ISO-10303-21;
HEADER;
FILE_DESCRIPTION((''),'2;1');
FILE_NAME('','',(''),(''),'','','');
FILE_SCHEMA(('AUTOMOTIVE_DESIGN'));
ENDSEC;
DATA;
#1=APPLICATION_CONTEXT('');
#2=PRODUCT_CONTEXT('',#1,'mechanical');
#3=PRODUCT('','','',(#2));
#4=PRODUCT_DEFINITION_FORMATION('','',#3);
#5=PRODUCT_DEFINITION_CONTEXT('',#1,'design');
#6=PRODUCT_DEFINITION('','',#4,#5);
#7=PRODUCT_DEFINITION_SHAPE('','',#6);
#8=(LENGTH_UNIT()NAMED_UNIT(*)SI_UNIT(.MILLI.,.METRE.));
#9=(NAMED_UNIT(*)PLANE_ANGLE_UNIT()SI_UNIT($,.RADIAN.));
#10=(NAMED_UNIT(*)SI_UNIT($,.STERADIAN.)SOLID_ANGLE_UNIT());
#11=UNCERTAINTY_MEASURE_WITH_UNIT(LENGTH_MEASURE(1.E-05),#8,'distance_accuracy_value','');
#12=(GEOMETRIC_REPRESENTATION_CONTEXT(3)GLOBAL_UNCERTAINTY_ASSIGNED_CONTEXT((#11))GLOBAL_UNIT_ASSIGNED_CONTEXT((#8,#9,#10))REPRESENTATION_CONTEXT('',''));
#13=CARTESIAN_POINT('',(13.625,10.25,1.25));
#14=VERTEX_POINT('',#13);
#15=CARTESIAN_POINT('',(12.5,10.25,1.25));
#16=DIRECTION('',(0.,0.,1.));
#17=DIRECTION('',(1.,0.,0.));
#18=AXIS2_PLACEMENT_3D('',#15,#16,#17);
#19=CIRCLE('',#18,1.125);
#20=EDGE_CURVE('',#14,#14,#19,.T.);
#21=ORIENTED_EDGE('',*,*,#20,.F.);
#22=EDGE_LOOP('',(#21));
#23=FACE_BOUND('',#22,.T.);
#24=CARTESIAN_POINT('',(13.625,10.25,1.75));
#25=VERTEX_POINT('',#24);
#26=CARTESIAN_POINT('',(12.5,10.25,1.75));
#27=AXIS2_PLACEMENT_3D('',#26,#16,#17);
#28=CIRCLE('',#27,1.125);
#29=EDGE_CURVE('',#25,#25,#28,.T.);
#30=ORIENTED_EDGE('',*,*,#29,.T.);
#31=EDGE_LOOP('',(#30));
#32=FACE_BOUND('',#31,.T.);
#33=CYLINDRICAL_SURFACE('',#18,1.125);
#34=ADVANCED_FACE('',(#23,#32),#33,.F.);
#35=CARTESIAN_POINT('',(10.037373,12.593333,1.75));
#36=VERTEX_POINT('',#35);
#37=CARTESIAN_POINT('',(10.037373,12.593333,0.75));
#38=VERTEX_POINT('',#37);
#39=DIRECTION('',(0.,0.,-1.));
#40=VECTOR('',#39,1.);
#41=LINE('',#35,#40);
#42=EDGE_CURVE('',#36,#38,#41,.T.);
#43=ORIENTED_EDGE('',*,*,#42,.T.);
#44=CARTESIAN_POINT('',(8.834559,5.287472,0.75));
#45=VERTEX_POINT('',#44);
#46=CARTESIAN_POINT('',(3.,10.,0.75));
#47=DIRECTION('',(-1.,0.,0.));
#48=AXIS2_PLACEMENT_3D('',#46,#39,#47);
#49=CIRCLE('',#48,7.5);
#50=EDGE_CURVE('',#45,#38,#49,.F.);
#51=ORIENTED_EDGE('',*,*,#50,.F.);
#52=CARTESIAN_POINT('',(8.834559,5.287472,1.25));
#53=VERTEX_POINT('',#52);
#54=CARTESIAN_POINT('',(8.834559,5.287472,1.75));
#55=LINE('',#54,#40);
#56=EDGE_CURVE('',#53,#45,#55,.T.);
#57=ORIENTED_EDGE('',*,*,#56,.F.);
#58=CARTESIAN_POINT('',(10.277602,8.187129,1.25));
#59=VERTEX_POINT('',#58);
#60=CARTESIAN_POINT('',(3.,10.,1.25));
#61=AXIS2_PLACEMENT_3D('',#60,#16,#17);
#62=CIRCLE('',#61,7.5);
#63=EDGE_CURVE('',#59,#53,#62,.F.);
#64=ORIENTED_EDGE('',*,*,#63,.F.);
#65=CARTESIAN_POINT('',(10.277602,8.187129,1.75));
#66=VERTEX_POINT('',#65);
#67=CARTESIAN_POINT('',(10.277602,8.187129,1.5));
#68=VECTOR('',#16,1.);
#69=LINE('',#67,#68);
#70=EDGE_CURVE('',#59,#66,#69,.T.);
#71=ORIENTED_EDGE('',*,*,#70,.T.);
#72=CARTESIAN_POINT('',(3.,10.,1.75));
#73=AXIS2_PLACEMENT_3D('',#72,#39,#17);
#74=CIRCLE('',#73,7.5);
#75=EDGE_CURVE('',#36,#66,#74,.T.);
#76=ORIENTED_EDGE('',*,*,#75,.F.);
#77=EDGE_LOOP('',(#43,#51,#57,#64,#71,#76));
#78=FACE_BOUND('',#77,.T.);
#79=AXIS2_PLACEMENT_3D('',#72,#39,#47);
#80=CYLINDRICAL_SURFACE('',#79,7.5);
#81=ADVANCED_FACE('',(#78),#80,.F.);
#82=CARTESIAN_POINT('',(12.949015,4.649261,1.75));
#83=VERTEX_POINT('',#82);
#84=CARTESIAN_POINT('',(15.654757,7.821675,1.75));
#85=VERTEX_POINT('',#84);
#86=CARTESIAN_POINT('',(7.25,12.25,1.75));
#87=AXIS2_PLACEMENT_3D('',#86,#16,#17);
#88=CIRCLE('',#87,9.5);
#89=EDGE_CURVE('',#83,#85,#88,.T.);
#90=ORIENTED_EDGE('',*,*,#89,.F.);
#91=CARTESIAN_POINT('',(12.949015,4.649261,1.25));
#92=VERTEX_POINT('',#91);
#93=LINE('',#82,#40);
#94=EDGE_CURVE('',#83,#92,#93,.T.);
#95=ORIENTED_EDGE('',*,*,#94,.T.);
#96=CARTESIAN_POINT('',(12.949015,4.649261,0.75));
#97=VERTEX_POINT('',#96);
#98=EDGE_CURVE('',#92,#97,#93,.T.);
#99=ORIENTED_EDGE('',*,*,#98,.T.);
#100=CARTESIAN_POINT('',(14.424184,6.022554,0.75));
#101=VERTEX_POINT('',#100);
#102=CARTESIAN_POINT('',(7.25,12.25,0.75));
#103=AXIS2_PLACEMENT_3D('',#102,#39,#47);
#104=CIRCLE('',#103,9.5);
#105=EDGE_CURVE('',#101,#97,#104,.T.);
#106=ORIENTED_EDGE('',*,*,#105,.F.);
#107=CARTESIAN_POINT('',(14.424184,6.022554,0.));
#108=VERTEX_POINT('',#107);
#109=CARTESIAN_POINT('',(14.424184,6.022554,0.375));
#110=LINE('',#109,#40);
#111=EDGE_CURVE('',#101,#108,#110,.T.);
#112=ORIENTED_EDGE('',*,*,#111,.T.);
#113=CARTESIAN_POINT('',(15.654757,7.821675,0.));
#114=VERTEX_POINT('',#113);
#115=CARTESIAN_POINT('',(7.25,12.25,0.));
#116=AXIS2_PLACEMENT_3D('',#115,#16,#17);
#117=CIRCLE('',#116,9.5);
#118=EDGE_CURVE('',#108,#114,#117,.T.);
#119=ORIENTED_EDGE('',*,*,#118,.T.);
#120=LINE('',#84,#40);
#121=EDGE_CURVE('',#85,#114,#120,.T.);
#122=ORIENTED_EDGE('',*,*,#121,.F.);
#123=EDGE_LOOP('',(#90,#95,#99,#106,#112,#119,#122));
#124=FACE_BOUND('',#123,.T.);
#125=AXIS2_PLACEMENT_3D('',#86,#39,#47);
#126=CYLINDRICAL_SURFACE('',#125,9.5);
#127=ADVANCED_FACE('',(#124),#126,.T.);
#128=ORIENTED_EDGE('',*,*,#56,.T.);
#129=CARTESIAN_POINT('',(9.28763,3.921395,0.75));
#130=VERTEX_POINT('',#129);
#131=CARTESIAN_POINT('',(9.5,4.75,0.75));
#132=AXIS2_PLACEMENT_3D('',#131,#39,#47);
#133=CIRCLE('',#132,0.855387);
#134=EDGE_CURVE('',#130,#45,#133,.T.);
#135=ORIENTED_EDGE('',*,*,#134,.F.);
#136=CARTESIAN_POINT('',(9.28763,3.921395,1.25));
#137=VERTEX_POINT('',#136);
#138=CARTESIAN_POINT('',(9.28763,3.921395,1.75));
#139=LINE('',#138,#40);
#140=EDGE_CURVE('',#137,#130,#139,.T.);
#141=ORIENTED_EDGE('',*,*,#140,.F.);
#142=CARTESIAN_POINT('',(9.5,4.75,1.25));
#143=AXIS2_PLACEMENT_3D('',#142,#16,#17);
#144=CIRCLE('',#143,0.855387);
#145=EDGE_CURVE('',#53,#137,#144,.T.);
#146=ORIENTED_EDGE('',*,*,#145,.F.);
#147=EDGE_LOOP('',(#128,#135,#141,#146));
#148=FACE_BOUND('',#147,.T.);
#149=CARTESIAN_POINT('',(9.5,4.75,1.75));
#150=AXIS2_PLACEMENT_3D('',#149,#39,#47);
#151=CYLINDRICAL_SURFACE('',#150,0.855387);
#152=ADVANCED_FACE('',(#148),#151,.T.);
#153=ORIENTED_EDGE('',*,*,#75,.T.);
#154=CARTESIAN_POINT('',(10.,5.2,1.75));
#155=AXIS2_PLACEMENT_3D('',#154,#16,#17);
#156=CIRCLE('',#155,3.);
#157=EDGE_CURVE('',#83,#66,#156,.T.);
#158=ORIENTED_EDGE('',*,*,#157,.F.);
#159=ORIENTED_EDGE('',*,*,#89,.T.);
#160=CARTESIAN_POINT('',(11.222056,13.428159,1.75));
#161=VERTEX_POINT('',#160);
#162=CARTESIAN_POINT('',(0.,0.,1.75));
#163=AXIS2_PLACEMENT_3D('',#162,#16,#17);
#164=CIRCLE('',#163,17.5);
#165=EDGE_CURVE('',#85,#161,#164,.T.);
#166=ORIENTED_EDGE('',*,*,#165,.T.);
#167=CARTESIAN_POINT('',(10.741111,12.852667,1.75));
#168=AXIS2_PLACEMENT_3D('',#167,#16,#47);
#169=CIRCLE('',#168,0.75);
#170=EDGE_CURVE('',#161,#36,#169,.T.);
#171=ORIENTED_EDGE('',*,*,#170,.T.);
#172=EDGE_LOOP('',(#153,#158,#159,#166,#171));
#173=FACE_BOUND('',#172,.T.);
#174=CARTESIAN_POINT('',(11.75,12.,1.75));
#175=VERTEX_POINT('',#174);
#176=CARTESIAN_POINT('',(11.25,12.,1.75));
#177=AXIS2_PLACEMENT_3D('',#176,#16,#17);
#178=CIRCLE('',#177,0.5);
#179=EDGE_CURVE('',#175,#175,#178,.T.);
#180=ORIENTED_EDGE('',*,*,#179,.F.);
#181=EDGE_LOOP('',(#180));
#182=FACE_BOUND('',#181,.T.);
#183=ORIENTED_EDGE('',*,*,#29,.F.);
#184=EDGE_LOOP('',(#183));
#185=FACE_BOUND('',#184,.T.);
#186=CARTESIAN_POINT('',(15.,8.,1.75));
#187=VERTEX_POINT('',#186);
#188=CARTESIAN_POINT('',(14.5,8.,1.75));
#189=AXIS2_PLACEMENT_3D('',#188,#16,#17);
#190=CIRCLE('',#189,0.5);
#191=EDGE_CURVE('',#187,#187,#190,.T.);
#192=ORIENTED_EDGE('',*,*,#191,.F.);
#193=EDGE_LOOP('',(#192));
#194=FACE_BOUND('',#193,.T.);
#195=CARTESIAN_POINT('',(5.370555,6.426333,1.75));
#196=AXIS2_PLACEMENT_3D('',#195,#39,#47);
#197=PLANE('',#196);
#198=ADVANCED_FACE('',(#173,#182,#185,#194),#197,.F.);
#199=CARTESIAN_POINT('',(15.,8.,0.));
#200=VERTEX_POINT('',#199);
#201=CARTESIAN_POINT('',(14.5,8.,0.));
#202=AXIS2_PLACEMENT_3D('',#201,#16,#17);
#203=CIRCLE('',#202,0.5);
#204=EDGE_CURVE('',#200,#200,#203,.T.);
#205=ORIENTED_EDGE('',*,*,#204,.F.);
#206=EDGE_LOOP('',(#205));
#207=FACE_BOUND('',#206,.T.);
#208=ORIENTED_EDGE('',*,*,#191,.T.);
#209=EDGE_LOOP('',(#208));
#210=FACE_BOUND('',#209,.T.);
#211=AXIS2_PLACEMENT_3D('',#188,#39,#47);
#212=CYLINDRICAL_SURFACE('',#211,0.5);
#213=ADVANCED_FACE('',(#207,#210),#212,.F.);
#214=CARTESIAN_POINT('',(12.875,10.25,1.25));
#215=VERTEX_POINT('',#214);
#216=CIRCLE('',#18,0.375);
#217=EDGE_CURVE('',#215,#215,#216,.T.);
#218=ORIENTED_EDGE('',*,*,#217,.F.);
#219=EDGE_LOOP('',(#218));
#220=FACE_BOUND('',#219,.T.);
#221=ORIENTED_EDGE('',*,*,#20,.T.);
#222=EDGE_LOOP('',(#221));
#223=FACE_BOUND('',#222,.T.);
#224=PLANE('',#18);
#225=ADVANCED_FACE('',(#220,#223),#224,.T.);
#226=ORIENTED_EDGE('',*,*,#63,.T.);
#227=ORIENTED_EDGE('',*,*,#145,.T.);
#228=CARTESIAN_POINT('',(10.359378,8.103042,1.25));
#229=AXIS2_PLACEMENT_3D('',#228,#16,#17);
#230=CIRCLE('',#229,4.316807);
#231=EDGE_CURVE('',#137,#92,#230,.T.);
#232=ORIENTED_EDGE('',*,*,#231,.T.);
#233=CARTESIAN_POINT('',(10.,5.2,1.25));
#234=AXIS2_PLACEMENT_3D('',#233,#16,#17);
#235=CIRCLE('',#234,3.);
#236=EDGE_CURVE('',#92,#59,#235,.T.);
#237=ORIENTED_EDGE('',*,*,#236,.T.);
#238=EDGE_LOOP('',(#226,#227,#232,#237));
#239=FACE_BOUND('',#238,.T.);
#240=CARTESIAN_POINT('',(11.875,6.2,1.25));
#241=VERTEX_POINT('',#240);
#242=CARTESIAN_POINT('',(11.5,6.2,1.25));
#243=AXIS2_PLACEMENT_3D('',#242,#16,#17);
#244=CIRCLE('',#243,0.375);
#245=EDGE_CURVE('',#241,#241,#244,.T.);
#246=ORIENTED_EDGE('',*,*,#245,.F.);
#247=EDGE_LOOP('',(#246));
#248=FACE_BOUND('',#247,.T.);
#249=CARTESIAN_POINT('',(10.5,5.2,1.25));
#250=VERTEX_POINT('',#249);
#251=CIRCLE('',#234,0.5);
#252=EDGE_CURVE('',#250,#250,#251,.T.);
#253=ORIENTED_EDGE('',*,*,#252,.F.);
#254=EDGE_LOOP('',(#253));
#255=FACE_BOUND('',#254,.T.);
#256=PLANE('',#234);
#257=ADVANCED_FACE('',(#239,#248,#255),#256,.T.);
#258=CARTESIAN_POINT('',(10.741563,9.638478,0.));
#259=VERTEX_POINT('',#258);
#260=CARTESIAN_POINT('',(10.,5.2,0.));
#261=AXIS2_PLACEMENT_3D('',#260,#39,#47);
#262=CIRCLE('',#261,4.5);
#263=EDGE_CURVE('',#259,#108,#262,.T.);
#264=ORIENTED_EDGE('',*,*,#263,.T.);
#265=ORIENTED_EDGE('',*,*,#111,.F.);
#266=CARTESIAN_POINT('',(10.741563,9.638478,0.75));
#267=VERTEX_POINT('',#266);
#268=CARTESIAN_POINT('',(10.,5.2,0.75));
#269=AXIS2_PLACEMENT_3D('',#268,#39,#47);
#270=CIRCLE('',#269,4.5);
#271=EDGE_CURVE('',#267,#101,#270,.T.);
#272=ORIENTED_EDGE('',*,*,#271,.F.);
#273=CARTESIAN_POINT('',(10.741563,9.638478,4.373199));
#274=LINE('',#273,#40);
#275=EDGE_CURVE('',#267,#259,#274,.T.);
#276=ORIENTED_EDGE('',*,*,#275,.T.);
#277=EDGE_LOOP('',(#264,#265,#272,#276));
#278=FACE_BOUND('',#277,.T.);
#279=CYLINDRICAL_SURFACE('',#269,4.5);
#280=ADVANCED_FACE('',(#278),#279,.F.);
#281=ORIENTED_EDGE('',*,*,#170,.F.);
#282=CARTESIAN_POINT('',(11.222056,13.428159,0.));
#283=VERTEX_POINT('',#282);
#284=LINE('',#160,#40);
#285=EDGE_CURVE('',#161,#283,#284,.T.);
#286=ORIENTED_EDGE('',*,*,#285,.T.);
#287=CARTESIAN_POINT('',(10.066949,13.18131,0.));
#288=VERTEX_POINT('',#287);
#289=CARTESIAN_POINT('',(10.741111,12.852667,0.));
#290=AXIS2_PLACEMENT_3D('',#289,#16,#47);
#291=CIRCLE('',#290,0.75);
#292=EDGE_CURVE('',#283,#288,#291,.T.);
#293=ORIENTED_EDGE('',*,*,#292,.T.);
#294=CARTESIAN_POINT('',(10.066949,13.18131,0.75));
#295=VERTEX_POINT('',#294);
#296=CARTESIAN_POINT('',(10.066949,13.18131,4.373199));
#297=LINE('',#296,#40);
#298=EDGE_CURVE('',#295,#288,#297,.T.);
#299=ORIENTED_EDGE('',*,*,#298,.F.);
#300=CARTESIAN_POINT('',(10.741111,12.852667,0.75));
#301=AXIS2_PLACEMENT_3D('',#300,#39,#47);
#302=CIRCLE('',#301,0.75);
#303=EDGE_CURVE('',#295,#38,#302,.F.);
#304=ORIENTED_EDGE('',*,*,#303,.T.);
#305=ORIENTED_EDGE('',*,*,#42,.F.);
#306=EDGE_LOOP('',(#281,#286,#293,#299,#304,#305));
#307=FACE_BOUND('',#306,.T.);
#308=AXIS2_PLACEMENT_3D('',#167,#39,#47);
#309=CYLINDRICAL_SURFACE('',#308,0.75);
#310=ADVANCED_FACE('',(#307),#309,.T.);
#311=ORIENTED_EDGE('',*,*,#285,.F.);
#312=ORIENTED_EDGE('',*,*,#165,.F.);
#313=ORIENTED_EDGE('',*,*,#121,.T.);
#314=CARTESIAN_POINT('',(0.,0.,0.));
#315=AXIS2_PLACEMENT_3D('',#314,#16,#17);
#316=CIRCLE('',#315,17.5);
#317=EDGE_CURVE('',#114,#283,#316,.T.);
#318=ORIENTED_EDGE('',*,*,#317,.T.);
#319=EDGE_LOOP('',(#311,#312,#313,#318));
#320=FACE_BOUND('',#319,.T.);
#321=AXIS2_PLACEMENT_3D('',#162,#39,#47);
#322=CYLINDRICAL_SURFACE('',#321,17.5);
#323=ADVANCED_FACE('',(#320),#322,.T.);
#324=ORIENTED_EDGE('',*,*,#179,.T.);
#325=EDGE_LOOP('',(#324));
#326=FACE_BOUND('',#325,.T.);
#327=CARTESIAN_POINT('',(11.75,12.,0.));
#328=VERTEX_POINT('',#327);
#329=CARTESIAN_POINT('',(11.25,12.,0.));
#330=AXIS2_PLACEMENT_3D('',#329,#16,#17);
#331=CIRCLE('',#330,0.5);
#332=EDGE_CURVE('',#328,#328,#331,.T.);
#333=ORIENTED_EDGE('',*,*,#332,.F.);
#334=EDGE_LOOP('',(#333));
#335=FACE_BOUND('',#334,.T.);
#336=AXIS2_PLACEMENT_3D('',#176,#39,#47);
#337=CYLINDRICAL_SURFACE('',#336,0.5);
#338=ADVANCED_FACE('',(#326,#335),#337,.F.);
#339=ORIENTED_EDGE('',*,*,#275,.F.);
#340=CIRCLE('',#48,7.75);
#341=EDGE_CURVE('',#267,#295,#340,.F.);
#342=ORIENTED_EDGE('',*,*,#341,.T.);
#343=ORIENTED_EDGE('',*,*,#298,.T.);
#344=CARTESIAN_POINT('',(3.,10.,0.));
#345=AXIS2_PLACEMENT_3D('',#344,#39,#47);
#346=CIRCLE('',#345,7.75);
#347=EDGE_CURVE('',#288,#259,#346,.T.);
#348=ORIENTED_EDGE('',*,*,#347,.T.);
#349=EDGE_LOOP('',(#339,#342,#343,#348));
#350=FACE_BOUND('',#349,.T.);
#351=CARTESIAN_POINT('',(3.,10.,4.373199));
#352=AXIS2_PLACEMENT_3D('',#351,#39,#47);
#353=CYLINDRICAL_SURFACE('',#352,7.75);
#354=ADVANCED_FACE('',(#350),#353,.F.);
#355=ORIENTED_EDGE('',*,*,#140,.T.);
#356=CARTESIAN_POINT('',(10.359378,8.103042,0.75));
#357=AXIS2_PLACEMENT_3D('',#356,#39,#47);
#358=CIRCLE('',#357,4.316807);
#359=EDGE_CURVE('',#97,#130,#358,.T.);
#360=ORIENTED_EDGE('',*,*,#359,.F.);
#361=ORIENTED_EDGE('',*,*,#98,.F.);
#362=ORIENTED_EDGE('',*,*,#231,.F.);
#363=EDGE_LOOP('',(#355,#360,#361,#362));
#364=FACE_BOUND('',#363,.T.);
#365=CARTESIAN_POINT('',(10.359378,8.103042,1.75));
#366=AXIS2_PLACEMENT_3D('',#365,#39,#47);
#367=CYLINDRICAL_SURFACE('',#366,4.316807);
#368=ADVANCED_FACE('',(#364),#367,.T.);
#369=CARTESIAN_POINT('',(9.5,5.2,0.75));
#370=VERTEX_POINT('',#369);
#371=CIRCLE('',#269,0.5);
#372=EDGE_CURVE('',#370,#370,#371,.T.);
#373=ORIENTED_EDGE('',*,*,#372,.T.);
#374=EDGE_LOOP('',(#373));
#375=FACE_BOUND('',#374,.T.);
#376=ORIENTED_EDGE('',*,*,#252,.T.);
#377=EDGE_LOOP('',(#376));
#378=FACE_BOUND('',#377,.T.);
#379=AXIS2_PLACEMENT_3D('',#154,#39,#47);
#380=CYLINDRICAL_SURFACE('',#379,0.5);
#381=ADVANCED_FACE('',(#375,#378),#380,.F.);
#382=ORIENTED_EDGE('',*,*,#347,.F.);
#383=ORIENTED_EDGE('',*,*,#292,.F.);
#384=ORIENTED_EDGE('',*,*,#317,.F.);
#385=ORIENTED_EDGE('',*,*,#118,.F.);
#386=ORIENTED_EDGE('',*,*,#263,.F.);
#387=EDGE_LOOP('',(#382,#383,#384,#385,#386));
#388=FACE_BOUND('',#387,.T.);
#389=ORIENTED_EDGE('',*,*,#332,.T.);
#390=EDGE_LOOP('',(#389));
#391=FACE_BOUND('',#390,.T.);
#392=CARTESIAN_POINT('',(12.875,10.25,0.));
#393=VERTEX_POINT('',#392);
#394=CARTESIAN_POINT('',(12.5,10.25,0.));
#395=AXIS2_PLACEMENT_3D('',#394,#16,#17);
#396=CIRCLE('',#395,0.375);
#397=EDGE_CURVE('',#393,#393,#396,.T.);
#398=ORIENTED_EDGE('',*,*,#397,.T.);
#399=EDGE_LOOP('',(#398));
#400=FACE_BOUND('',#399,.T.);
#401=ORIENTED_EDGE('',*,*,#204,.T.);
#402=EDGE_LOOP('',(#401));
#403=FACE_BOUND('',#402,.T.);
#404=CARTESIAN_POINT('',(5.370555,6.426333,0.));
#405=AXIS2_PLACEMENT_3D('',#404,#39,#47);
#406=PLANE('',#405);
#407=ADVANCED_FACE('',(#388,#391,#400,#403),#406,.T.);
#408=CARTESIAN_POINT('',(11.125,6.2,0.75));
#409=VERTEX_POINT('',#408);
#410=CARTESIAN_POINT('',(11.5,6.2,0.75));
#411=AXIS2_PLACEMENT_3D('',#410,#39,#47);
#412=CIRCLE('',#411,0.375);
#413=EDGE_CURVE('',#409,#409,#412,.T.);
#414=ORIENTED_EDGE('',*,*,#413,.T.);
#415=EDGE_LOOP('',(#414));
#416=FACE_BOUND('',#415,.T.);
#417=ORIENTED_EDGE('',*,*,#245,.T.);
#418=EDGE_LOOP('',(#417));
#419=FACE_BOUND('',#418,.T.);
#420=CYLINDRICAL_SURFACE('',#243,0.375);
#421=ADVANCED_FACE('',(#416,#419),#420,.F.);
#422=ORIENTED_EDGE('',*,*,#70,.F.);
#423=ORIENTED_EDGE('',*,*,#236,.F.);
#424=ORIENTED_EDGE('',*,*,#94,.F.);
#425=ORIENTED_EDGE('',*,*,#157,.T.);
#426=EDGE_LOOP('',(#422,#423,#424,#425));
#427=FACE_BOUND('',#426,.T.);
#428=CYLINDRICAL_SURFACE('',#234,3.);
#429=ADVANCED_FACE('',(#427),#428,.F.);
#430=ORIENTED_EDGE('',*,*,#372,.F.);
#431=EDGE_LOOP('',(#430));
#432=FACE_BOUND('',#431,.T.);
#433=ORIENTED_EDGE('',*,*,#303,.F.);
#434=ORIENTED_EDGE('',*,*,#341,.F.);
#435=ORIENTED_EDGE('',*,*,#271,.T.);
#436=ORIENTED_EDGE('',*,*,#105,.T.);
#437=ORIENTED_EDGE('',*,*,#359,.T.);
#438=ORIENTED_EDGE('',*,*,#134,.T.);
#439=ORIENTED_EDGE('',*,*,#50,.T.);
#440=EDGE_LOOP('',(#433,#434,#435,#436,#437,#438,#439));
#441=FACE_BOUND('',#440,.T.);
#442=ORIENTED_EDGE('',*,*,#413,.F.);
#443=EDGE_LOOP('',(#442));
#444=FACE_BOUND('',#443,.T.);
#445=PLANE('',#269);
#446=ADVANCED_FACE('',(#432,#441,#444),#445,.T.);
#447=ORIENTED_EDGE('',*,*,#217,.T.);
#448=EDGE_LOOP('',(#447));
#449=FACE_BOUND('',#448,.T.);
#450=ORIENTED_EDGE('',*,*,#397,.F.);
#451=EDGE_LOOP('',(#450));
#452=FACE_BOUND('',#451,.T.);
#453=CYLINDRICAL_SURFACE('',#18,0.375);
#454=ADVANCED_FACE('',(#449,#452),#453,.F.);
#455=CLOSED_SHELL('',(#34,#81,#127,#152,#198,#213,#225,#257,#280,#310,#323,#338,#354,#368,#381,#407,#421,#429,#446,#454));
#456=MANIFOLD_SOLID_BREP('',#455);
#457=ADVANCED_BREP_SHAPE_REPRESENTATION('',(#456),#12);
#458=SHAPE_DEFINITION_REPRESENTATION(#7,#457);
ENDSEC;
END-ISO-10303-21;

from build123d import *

# Parameters (mm, degrees)
CROQUIS1_R                     = 0.5
SALIENTE_EXTRUIR1_DEPTH        = 1.75
CROQUIS3_R                     = 4.5
CORTAR_EXTRUIR2_DEPTH          = 0.75
CORTAR_EXTRUIR3_DEPTH          = 0.75
CROQUIS5_R                     = 1.125
CORTAR_EXTRUIR4_DEPTH          = 0.5
TALADRO_ROSCADO_M1X0_251_D     = 0.75
CROQUIS8_R                     = 3
CORTAR_EXTRUIR5_DEPTH          = 0.5
TALADRO_ROSCADO_M1X0_252_D     = 0.75
TALADRO_ROSCADO_M1X0_252_DEPTH = 2
TALADRO_ROSCADO_M1X0_252_TIP   = 0.225322732


with BuildPart() as part:
    # Croquis1 → Saliente-Extruir1 (new body)
    with BuildSketch(Plane.XY):
        with BuildLine():
            ThreePointArc((8.834558852, 5.287471697), (10.400375853, 8.781625166), (10.037373186, 12.593333499))
            ThreePointArc((10.037373186, 12.593333499), (10.309088925, 13.465738911), (11.222055752, 13.428159394))
            ThreePointArc((11.222055752, 13.428159394), (13.727670201, 10.853620173), (15.654756656, 7.821674632))
            ThreePointArc((15.654756656, 7.821674632), (14.478080126, 6.085191999), (12.949014501, 4.649260976))
            ThreePointArc((12.949014501, 4.649260976), (11.201069025, 3.869086941), (9.287630024, 3.921394702))
            ThreePointArc((9.287630024, 3.921394702), (8.688101188, 4.480726783), (8.834558852, 5.287471697))
        make_face()
        with Locations((10, 5.2)):
            Circle(CROQUIS1_R, mode=Mode.SUBTRACT)
        with Locations((11.25, 12)):
            Circle(CROQUIS1_R, mode=Mode.SUBTRACT)
        with Locations((14.5, 8)):
            Circle(CROQUIS1_R, mode=Mode.SUBTRACT)
    extrude(amount=SALIENTE_EXTRUIR1_DEPTH)

    # Croquis3 → Cortar-Extruir2 (cut)
    with BuildSketch(Plane(origin=(0, 0, 0), x_dir=(-1, 0, 0), z_dir=(0, 0, -1))):
        with Locations((-10, 5.2)):
            Circle(CROQUIS3_R)
    extrude(amount=-CORTAR_EXTRUIR2_DEPTH, mode=Mode.SUBTRACT)

    # Croquis4 → Cortar-Extruir3 (cut)
    with BuildSketch(Plane(origin=(0, 0, 0), x_dir=(-1, 0, 0), z_dir=(0, 0, -1))):
        with BuildLine():
            ThreePointArc((-10.066948965, 13.181309844), (-10.613207176, 11.449681517), (-10.741563253, 9.63847766))
            ThreePointArc((-10.741563253, 9.63847766), (-10.61745437, 9.657437616), (-10.492864863, 9.672927925))
            ThreePointArc((-10.492864863, 9.672927925), (-10.410407993, 11.155791234), (-10.037373186, 12.593333499))
            ThreePointArc((-10.037373186, 12.593333499), (-9.992057529, 12.890344938), (-10.066948965, 13.181309844))
        make_face()
    extrude(amount=-CORTAR_EXTRUIR3_DEPTH, mode=Mode.SUBTRACT)

    # Croquis5 → Cortar-Extruir4 (cut)
    with BuildSketch(Plane.XY.offset(1.75)):
        with Locations((12.5, 10.25)):
            Circle(CROQUIS5_R)
    extrude(amount=-CORTAR_EXTRUIR4_DEPTH, mode=Mode.SUBTRACT)

    # Taladro roscado M1x0.251 (through all)
    with Locations(Plane.XY.offset(1.25)):
        with Locations((12.5, 10.25)):
            Hole(TALADRO_ROSCADO_M1X0_251_D / 2)

    # Croquis8 → Cortar-Extruir5 (cut)
    with BuildSketch(Plane.XY.offset(1.75)):
        with Locations((10, 5.2)):
            Circle(CROQUIS8_R)
    extrude(amount=-CORTAR_EXTRUIR5_DEPTH, mode=Mode.SUBTRACT)

    # Taladro roscado M1x0.252
    with Locations(Plane.XY.offset(1.25)):
        with Locations((11.5, 6.2)):
            Hole(TALADRO_ROSCADO_M1X0_252_D / 2, depth=TALADRO_ROSCADO_M1X0_252_DEPTH)
            with Locations((0, 0, -(TALADRO_ROSCADO_M1X0_252_DEPTH + TALADRO_ROSCADO_M1X0_252_TIP / 2))):  # 118° drill point
                Cone(0, TALADRO_ROSCADO_M1X0_252_D / 2, TALADRO_ROSCADO_M1X0_252_TIP, mode=Mode.SUBTRACT)


solid = part.part
